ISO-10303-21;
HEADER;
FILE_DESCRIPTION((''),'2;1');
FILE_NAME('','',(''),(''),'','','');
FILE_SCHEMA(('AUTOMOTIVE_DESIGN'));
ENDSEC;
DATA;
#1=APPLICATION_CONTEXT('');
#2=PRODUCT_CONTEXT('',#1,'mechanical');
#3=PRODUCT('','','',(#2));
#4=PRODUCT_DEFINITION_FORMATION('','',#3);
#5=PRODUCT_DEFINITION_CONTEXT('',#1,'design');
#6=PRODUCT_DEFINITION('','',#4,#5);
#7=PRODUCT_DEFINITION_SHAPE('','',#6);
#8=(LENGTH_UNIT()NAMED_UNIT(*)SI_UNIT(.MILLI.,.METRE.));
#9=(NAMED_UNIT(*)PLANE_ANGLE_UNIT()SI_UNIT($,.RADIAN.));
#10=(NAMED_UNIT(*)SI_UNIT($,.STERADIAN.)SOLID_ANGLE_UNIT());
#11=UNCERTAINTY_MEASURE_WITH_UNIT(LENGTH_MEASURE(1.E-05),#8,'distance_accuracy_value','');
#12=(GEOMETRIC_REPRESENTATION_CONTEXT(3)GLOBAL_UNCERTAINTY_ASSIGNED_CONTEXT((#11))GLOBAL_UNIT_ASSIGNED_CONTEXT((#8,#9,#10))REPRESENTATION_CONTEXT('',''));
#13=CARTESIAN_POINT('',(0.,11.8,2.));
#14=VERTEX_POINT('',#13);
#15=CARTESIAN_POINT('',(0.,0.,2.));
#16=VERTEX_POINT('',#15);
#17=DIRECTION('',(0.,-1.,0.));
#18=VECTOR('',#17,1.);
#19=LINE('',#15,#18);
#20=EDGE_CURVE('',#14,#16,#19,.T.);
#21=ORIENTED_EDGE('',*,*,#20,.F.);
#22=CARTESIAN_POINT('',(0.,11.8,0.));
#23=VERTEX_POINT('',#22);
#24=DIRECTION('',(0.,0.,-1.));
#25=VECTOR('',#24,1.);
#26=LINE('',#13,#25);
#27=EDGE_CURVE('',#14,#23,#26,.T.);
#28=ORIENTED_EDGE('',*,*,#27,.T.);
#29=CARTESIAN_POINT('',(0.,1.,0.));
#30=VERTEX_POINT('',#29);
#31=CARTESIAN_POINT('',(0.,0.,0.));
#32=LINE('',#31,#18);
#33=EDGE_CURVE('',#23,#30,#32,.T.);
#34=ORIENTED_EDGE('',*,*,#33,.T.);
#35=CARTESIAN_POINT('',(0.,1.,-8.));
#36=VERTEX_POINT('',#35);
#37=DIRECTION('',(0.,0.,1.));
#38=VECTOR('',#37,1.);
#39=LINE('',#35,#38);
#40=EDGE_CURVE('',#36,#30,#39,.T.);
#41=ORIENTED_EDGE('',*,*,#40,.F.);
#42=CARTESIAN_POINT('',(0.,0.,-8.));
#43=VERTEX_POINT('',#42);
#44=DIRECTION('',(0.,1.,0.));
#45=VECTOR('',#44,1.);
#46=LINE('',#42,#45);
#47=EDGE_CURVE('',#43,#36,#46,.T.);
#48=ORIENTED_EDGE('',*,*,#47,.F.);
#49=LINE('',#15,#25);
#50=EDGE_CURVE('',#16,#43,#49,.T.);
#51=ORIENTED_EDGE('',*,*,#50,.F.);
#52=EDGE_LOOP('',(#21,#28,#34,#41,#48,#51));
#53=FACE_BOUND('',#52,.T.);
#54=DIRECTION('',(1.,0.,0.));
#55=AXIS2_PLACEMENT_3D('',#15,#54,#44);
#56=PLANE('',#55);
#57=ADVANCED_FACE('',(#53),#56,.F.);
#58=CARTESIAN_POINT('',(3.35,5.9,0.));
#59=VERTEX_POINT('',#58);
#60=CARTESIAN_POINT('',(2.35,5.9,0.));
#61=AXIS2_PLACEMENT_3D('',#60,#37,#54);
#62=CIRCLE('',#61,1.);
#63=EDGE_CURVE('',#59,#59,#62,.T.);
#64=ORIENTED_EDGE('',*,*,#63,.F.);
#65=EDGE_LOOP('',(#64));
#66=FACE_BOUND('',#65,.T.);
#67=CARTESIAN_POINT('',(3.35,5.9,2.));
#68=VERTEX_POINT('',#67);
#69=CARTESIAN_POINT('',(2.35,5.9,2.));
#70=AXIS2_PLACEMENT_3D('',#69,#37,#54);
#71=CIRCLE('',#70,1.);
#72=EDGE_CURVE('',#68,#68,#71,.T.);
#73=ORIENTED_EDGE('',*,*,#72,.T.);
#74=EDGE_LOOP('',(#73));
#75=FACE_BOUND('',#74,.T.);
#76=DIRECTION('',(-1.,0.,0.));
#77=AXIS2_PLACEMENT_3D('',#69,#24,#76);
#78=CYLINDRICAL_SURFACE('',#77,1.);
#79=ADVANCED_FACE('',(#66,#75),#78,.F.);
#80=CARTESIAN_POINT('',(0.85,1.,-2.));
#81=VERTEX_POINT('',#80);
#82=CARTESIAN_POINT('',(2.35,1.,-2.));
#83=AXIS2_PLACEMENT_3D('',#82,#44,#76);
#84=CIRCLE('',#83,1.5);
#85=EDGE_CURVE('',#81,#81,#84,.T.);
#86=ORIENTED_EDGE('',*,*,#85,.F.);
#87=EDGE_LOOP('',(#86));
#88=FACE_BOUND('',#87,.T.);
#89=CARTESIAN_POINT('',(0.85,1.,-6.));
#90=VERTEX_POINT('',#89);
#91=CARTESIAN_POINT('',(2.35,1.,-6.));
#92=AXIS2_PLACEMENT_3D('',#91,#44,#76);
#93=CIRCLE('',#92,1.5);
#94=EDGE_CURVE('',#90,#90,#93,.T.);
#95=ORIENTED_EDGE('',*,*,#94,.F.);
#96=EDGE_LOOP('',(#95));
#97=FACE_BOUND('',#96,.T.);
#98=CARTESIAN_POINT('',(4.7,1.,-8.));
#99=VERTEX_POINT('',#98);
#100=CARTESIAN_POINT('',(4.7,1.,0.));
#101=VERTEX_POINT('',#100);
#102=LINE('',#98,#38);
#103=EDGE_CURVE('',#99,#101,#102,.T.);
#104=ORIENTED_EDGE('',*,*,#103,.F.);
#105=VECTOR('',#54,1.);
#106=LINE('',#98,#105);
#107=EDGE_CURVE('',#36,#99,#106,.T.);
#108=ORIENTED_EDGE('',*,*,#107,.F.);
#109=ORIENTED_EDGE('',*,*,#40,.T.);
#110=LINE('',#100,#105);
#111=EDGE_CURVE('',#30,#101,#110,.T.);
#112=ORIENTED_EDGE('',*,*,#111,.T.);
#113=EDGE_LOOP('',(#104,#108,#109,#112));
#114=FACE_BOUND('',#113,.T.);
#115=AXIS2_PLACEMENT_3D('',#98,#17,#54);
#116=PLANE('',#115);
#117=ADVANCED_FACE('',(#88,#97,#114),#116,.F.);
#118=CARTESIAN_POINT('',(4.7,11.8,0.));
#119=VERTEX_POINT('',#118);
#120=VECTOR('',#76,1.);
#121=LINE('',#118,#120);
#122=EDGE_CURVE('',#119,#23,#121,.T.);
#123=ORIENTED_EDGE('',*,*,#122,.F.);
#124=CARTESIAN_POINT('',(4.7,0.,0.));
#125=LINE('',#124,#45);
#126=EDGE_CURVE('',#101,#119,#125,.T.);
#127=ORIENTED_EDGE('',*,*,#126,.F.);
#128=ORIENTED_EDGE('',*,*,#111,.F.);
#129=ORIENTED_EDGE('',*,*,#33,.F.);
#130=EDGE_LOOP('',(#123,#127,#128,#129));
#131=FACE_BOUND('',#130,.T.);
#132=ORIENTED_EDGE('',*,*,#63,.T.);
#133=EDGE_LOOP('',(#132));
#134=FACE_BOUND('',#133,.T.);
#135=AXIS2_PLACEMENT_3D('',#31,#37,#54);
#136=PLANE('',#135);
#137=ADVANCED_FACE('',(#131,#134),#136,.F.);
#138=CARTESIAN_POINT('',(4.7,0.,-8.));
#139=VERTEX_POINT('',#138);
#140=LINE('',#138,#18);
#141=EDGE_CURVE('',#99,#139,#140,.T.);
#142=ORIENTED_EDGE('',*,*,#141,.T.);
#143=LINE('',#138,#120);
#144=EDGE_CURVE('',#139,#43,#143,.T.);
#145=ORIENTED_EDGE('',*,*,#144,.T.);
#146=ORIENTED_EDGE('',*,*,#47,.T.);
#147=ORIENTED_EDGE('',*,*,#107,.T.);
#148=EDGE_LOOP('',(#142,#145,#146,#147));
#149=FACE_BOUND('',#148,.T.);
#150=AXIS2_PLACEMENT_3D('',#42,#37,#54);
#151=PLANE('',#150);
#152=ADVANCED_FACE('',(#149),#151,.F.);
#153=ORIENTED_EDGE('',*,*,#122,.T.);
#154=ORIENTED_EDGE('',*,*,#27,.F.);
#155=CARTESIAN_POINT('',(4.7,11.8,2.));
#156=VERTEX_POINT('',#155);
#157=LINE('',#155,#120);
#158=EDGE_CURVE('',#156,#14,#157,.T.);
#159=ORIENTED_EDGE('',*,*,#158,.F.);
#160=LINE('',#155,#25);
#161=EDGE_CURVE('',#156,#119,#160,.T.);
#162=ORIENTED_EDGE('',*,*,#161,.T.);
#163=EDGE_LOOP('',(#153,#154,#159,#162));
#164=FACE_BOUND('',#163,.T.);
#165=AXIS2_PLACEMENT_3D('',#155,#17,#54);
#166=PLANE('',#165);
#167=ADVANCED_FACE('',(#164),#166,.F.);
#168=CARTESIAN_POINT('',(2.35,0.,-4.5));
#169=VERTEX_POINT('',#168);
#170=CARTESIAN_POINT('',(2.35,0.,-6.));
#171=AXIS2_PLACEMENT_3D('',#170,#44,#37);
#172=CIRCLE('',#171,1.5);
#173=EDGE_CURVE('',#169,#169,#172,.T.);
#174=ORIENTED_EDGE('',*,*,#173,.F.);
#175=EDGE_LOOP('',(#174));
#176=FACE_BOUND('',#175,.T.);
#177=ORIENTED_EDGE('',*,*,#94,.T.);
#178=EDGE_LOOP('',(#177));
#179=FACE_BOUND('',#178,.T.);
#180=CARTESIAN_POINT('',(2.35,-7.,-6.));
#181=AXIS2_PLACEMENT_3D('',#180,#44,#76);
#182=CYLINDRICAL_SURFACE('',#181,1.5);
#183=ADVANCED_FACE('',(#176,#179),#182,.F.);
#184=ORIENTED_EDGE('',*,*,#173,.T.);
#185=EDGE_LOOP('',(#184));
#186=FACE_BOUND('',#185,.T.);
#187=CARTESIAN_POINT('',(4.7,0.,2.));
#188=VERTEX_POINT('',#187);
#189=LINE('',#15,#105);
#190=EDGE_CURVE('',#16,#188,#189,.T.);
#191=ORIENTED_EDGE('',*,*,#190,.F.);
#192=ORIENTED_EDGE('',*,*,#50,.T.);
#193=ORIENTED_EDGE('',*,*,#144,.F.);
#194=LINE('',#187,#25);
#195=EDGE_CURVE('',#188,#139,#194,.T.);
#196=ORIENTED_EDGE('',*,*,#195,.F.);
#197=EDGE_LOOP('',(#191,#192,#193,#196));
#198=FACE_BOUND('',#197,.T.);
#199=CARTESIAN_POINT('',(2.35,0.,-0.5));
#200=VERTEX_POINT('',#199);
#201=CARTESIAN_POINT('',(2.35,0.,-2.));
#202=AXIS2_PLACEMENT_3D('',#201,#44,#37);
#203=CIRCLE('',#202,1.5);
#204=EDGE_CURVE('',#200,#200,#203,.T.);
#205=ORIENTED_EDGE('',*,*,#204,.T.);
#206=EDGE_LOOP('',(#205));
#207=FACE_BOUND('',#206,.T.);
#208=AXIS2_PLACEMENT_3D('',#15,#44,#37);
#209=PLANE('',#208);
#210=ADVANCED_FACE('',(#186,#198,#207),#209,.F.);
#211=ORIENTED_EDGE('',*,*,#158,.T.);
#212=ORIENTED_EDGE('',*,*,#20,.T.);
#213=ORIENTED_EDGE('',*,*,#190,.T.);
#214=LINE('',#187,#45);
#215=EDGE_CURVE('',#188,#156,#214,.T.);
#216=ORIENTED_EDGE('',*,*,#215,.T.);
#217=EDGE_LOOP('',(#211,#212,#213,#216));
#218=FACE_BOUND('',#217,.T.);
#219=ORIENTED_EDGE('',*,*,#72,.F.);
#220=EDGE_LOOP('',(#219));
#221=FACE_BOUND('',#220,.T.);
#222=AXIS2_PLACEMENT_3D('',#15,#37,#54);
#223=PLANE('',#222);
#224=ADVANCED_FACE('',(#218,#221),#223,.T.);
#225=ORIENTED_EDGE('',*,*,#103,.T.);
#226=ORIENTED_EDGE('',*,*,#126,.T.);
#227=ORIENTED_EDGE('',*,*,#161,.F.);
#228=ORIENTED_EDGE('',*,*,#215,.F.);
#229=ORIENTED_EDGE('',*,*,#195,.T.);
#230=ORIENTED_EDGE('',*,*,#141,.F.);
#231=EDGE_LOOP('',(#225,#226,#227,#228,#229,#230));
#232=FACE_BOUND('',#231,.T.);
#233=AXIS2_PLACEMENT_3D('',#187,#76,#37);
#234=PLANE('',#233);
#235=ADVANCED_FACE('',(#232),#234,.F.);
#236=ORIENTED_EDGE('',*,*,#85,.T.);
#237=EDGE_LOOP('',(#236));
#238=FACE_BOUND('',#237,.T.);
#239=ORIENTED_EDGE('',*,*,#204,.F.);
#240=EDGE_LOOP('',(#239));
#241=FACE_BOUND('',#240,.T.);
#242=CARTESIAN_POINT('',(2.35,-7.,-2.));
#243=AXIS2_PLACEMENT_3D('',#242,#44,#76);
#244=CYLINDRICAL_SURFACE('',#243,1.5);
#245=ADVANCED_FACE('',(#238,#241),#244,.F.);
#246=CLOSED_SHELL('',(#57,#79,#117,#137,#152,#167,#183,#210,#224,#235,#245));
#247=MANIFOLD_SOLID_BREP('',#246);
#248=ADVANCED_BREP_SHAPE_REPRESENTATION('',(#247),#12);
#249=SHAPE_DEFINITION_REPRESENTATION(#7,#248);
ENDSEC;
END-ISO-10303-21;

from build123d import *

# Parameters (mm, degrees)
SKETCH1_W           = 4.7
SKETCH1_H           = 11.8
SKETCH1_R           = 1
BOSS_EXTRUDE1_DEPTH = 2
SKETCH2_W           = 4.7
SKETCH2_H           = 1
BOSS_EXTRUDE2_DEPTH = 8
SKETCH3_R           = 1.5
CUT_EXTRUDE1_DEPTH  = 8


with BuildPart() as part:
    # Sketch1 → Boss-Extrude1 (new body)
    with BuildSketch(Plane.XY):
        with Locations((2.35, 5.9)):
            Rectangle(SKETCH1_W, SKETCH1_H)
        with Locations((2.35, 5.9)):
            Circle(SKETCH1_R, mode=Mode.SUBTRACT)
    extrude(amount=BOSS_EXTRUDE1_DEPTH)

    # Sketch2 → Boss-Extrude2 (add)
    with BuildSketch(Plane(origin=(0, 0, 0), x_dir=(-1, 0, 0), z_dir=(0, 0, -1))):
        with Locations((-2.35, 0.5)):
            Rectangle(SKETCH2_W, SKETCH2_H)
    extrude(amount=BOSS_EXTRUDE2_DEPTH)

    # Sketch3 → Cut-Extrude1 (cut)
    with BuildSketch(Plane(origin=(0, 1, 0), x_dir=(1, 0, 0), z_dir=(0, 1, 0))):
        with Locations((2.35, 2)):
            Circle(SKETCH3_R)
        with Locations((2.35, 6)):
            Circle(SKETCH3_R)
    extrude(amount=-CUT_EXTRUDE1_DEPTH, mode=Mode.SUBTRACT)


solid = part.part
